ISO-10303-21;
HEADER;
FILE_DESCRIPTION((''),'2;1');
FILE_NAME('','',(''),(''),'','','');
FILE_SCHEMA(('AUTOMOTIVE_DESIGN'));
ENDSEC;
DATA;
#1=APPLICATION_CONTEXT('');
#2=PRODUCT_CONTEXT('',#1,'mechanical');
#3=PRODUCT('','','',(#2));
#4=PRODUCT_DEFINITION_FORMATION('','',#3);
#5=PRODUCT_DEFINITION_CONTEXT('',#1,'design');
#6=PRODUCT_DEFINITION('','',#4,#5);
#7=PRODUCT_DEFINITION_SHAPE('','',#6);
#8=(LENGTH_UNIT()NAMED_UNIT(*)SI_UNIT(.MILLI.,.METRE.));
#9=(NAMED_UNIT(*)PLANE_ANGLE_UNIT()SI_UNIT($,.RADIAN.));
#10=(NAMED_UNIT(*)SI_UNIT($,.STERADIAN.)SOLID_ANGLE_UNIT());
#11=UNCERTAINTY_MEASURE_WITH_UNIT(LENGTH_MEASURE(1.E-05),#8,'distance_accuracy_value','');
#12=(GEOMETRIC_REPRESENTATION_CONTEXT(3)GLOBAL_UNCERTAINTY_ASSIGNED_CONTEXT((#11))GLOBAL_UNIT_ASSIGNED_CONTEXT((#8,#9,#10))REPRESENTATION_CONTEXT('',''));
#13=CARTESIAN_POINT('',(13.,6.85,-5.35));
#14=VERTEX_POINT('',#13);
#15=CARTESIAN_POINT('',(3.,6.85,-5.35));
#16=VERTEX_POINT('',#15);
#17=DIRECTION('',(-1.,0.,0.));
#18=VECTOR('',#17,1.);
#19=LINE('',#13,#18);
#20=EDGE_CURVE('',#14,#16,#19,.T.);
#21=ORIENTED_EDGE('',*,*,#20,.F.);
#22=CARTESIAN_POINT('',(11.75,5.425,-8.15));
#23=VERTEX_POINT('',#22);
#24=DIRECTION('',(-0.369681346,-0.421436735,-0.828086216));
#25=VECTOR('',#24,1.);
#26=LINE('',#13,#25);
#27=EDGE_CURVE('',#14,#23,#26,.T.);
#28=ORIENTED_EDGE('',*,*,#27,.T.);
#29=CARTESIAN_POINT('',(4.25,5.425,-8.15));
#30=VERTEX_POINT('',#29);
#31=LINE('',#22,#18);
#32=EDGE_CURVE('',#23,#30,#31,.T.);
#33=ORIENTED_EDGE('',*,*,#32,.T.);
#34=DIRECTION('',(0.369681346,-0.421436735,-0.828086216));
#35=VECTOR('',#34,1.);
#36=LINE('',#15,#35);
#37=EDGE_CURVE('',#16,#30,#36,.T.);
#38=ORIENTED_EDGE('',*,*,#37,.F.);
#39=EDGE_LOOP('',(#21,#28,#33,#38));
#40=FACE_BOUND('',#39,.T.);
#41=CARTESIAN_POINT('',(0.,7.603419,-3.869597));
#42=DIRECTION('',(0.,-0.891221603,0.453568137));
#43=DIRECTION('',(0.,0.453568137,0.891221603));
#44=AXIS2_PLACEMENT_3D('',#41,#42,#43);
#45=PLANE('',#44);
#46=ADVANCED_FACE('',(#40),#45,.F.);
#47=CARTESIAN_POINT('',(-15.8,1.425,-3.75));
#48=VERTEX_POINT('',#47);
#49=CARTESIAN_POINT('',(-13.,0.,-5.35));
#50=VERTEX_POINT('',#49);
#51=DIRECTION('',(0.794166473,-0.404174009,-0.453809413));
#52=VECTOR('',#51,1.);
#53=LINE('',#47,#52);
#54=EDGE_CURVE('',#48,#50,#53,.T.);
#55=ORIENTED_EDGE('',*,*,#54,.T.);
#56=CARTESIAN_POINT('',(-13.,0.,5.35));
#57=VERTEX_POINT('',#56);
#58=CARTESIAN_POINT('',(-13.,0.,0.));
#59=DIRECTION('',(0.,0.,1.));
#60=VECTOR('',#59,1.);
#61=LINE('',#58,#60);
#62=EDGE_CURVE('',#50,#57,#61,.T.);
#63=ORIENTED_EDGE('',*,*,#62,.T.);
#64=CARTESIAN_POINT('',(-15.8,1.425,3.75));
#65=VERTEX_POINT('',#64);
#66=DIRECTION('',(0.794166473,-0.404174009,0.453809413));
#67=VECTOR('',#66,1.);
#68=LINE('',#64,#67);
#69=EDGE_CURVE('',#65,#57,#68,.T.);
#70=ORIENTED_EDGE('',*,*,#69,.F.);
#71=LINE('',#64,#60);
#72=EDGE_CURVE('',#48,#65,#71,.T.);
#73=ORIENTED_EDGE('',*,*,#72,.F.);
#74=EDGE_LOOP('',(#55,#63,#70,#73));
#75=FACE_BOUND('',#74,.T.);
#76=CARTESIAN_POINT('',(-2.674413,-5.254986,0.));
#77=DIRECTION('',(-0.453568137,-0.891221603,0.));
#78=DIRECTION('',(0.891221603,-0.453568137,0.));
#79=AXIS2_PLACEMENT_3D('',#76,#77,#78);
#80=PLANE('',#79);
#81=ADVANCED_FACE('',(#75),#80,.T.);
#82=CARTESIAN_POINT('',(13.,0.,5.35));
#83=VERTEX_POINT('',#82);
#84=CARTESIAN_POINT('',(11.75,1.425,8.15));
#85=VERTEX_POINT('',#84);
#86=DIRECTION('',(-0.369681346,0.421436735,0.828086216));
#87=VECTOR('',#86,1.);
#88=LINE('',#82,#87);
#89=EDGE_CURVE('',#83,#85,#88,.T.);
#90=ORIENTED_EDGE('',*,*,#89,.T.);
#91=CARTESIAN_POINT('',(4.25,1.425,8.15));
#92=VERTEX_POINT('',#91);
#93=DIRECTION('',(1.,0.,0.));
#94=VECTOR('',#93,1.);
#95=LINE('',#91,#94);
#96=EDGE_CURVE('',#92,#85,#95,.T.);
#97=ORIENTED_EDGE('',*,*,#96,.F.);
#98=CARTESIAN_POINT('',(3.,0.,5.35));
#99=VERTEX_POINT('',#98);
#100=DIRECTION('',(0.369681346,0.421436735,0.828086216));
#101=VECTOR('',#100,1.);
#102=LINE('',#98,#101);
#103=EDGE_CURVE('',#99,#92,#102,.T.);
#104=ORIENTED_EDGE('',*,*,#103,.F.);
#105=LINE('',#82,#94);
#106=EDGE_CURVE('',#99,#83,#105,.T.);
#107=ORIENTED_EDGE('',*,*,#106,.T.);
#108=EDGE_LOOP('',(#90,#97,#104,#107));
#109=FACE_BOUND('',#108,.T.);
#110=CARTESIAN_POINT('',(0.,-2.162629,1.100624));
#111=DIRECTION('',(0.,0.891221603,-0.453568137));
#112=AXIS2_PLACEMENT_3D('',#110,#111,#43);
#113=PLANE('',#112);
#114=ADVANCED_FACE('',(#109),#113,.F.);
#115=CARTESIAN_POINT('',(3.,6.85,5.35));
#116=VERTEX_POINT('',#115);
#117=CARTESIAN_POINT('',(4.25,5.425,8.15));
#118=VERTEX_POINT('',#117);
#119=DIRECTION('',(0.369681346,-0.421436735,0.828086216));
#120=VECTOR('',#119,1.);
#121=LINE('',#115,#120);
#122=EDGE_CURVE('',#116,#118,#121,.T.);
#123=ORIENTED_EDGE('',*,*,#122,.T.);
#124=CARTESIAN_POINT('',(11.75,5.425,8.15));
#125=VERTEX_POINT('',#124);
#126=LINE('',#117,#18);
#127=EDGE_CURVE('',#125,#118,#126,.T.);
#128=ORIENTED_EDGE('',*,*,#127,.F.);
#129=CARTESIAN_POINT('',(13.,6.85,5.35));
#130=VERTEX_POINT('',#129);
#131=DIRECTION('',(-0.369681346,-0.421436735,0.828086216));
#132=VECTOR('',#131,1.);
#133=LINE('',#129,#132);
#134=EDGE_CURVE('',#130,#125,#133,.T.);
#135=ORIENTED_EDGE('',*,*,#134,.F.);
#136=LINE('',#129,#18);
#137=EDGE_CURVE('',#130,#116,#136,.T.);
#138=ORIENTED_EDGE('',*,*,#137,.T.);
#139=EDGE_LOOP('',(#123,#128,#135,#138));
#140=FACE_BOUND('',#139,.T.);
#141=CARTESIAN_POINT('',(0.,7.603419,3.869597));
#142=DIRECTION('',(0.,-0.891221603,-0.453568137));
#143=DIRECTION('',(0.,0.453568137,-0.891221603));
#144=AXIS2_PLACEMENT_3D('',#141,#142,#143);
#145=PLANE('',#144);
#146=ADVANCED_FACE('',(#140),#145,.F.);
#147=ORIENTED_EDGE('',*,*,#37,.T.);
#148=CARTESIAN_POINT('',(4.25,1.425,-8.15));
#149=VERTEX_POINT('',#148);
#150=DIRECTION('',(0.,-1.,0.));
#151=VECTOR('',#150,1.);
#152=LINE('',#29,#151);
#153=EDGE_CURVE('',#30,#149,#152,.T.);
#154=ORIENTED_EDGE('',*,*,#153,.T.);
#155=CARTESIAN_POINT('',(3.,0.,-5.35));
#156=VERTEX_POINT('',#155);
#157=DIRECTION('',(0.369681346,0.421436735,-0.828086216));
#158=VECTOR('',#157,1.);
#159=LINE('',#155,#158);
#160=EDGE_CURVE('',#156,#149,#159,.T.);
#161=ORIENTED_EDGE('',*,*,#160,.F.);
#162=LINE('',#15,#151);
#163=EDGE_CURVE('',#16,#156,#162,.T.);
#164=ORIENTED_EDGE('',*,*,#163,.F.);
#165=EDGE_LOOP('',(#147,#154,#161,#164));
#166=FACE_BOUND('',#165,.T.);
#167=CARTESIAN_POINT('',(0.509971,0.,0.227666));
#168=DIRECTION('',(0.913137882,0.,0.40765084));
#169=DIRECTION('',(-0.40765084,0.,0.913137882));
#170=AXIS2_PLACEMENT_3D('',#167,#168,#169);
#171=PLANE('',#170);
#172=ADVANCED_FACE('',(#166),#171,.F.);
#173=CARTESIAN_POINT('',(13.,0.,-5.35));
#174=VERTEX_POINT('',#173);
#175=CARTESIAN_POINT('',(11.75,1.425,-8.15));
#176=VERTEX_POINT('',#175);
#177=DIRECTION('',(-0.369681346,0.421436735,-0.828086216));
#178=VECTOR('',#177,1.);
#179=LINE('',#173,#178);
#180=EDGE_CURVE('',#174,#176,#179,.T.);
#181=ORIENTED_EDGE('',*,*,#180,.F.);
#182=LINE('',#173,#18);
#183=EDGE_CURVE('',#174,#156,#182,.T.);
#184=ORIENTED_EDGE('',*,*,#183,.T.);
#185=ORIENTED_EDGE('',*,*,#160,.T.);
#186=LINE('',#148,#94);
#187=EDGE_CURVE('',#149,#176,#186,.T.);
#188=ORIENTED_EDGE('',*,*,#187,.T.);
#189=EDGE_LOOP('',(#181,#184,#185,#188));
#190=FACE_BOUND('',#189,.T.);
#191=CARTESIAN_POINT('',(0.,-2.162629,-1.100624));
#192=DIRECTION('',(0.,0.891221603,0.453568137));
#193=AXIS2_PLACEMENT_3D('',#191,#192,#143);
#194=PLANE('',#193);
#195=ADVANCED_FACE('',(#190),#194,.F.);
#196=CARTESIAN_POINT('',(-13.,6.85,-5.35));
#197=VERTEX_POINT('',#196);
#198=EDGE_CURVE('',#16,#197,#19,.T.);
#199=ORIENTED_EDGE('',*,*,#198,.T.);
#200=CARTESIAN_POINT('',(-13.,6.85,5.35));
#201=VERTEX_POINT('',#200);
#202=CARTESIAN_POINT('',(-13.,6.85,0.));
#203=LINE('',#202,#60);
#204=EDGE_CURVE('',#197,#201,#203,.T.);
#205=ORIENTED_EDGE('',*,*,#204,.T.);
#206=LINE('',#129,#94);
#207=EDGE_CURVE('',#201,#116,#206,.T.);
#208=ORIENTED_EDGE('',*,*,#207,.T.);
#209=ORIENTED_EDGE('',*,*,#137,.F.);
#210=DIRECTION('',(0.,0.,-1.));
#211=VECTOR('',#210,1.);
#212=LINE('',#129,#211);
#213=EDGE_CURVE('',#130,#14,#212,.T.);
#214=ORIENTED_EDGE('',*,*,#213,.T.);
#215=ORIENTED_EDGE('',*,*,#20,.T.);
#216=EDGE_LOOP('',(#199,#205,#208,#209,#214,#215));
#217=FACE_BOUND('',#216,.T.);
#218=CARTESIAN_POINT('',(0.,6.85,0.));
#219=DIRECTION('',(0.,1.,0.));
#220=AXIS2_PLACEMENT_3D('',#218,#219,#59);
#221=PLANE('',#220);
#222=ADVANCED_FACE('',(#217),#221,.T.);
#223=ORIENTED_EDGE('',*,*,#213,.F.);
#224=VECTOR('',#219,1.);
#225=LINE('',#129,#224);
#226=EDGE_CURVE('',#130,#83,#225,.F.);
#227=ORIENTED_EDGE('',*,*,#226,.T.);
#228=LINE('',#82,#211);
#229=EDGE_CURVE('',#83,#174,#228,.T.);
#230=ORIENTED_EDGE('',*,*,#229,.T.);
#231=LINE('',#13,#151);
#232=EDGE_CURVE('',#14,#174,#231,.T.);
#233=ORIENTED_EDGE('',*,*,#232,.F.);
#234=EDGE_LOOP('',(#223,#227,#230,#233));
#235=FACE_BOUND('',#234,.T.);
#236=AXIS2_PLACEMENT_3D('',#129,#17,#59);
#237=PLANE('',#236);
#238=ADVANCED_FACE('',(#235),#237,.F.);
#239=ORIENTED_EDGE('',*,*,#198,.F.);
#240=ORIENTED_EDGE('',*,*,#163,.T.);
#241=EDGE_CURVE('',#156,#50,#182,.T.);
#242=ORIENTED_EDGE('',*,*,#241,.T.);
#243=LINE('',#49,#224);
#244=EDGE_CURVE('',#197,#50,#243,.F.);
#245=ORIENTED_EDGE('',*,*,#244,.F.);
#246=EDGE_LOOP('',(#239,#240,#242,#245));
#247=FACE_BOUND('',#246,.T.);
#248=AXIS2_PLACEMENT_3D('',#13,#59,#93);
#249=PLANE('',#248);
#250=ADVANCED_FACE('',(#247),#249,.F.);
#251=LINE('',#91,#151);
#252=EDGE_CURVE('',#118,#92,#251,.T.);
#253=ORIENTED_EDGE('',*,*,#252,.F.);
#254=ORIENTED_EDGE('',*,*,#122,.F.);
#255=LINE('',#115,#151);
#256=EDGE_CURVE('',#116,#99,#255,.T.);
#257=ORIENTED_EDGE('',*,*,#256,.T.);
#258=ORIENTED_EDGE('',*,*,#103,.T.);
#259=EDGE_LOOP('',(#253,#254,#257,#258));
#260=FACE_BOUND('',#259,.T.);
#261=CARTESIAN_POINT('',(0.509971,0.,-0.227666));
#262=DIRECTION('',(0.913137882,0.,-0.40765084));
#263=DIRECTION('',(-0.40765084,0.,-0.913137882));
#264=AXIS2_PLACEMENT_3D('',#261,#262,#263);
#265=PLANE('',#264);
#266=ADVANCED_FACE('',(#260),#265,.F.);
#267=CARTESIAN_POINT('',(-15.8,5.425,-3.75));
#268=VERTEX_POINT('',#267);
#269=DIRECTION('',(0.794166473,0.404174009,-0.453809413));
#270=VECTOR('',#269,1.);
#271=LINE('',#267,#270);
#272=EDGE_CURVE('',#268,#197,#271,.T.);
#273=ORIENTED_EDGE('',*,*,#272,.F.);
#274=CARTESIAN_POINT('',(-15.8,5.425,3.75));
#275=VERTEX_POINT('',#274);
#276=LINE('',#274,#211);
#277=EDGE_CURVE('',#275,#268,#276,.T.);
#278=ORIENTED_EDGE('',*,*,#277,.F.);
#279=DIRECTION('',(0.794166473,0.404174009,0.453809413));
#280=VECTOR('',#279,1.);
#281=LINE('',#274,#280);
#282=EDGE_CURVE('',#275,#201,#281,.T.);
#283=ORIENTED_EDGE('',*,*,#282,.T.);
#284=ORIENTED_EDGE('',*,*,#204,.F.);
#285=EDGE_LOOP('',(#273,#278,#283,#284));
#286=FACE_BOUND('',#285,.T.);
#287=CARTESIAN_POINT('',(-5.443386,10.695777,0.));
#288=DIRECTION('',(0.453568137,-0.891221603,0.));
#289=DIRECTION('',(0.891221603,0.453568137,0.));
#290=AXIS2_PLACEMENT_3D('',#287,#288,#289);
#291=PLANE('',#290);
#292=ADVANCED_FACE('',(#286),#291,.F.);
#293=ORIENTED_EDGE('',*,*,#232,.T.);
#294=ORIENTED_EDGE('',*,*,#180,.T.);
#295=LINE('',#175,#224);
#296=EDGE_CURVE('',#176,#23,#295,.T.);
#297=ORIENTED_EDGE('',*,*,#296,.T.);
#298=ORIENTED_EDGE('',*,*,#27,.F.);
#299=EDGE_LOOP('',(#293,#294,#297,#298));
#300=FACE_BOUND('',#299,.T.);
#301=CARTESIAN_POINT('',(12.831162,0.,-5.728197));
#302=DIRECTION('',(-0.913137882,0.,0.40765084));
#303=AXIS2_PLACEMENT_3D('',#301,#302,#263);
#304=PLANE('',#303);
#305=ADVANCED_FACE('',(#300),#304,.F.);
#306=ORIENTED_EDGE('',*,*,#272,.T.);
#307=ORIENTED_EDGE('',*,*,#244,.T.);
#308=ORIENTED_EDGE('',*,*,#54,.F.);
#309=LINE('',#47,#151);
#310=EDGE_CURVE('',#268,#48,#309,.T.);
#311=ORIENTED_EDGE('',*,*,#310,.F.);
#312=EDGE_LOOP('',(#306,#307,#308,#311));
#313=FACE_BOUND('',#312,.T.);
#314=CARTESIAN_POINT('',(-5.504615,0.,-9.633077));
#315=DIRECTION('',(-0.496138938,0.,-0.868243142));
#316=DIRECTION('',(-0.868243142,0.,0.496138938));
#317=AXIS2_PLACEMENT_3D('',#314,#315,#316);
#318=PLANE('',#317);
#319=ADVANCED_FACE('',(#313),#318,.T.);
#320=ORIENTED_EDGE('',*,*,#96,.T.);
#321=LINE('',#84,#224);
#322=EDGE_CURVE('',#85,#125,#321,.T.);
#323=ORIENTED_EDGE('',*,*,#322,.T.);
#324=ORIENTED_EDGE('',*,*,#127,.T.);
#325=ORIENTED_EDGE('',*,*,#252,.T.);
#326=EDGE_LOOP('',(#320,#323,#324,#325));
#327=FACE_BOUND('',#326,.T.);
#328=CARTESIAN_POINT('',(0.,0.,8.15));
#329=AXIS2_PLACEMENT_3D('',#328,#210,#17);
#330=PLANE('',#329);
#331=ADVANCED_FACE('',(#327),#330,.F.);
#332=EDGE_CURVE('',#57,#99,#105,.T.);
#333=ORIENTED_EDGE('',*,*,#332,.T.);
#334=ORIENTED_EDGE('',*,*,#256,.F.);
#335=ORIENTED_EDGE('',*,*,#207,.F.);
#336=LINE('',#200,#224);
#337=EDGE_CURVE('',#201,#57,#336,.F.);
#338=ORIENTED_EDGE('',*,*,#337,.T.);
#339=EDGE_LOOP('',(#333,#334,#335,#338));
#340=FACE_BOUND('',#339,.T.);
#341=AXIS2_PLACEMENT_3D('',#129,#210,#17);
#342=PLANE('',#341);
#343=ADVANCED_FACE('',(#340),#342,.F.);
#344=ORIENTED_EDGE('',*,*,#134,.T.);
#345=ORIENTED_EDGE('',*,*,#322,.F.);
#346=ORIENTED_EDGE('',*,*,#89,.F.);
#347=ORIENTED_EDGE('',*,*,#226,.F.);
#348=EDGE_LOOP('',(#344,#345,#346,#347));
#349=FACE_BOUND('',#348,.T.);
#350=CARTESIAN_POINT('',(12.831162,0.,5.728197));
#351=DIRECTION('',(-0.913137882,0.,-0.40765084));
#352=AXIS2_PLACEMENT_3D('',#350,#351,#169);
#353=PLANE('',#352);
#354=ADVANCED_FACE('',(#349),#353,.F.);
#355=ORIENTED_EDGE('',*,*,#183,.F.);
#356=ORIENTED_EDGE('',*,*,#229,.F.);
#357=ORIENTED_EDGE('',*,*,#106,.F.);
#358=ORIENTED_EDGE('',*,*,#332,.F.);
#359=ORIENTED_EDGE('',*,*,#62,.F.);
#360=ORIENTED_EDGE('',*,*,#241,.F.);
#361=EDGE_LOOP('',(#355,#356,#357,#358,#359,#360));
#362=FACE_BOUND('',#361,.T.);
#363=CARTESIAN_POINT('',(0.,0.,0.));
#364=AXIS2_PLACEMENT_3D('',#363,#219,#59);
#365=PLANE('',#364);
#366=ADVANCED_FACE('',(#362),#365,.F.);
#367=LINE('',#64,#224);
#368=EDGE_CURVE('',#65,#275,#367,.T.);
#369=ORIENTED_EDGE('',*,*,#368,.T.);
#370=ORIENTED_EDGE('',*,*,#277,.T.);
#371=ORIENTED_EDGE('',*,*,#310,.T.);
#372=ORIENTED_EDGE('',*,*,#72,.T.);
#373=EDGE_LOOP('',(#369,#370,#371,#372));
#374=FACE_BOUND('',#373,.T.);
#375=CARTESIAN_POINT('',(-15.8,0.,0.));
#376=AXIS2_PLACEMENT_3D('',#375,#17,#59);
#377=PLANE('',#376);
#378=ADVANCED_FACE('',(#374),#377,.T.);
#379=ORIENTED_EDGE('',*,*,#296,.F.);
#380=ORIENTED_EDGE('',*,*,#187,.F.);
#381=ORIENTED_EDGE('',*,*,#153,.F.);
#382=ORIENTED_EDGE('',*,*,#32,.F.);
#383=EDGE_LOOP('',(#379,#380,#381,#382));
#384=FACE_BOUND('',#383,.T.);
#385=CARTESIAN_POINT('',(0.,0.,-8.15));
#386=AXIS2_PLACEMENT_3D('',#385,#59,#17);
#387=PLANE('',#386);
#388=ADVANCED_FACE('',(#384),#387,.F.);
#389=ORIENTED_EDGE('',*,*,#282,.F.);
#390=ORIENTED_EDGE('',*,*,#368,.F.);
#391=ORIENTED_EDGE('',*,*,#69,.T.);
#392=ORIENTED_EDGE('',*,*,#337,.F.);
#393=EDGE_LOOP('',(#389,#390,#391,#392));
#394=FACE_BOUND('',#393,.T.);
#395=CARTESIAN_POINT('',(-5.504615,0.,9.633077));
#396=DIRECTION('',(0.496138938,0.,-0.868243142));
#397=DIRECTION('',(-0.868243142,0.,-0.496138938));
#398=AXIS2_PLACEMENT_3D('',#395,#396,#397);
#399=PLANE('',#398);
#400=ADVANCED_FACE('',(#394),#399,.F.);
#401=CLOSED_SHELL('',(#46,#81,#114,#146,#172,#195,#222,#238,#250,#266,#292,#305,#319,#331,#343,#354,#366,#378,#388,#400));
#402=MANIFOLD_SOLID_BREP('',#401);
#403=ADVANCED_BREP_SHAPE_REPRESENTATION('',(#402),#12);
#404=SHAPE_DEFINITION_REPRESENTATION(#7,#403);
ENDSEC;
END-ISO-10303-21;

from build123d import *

# Parameters (mm, degrees)
SKETCH1_W           = 26
SKETCH1_H           = 10.7
BOSS_EXTRUDE1_DEPTH = 6.85


with BuildPart() as part:
    # Sketch1 → Boss-Extrude1 (new body)
    with BuildSketch(Plane(origin=(0, 0, 0), x_dir=(1, 0, 0), z_dir=(0, 1, 0))):
        Rectangle(SKETCH1_W, SKETCH1_H)
    extrude(amount=BOSS_EXTRUDE1_DEPTH)

    # Sketch2 → section 0 of loft1
    with BuildSketch(Plane.ZY.offset(15.8), mode=Mode.PRIVATE) as loft1_s0:
        with BuildLine():
            Line((3.75, 1.425), (-3.75, 1.425))
            Line((-3.75, 1.425), (-3.75, 5.425))
            Line((-3.75, 5.425), (3.75, 5.425))
            Line((3.75, 5.425), (3.75, 1.425))
        make_face()
    # loft up to a face of the part (loft1)
    loft([loft1_s0.sketch, part.faces().sort_by_distance((-13, 3.425, 0))[0]])

    # Sketch4 → Loft2 section 0
    with BuildSketch(Plane.XY.offset(5.35)):
        with BuildLine():
            Line((13, 6.85), (3, 6.85))
            Line((3, 6.85), (3, 0))
            Line((3, 0), (13, 0))
            Line((13, 0), (13, 6.85))
        make_face()
    # Sketch3 → Loft2 section 1
    with BuildSketch(Plane.XY.offset(8.15)):
        with BuildLine():
            Line((4.25, 1.425), (11.75, 1.425))
            Line((11.75, 1.425), (11.75, 5.425))
            Line((11.75, 5.425), (4.25, 5.425))
            Line((4.25, 5.425), (4.25, 1.425))
        make_face()
    loft2 = loft()

    # Mirror1: Loft2 across plane
    add(loft2.mirror(Plane.XY))


solid = part.part
